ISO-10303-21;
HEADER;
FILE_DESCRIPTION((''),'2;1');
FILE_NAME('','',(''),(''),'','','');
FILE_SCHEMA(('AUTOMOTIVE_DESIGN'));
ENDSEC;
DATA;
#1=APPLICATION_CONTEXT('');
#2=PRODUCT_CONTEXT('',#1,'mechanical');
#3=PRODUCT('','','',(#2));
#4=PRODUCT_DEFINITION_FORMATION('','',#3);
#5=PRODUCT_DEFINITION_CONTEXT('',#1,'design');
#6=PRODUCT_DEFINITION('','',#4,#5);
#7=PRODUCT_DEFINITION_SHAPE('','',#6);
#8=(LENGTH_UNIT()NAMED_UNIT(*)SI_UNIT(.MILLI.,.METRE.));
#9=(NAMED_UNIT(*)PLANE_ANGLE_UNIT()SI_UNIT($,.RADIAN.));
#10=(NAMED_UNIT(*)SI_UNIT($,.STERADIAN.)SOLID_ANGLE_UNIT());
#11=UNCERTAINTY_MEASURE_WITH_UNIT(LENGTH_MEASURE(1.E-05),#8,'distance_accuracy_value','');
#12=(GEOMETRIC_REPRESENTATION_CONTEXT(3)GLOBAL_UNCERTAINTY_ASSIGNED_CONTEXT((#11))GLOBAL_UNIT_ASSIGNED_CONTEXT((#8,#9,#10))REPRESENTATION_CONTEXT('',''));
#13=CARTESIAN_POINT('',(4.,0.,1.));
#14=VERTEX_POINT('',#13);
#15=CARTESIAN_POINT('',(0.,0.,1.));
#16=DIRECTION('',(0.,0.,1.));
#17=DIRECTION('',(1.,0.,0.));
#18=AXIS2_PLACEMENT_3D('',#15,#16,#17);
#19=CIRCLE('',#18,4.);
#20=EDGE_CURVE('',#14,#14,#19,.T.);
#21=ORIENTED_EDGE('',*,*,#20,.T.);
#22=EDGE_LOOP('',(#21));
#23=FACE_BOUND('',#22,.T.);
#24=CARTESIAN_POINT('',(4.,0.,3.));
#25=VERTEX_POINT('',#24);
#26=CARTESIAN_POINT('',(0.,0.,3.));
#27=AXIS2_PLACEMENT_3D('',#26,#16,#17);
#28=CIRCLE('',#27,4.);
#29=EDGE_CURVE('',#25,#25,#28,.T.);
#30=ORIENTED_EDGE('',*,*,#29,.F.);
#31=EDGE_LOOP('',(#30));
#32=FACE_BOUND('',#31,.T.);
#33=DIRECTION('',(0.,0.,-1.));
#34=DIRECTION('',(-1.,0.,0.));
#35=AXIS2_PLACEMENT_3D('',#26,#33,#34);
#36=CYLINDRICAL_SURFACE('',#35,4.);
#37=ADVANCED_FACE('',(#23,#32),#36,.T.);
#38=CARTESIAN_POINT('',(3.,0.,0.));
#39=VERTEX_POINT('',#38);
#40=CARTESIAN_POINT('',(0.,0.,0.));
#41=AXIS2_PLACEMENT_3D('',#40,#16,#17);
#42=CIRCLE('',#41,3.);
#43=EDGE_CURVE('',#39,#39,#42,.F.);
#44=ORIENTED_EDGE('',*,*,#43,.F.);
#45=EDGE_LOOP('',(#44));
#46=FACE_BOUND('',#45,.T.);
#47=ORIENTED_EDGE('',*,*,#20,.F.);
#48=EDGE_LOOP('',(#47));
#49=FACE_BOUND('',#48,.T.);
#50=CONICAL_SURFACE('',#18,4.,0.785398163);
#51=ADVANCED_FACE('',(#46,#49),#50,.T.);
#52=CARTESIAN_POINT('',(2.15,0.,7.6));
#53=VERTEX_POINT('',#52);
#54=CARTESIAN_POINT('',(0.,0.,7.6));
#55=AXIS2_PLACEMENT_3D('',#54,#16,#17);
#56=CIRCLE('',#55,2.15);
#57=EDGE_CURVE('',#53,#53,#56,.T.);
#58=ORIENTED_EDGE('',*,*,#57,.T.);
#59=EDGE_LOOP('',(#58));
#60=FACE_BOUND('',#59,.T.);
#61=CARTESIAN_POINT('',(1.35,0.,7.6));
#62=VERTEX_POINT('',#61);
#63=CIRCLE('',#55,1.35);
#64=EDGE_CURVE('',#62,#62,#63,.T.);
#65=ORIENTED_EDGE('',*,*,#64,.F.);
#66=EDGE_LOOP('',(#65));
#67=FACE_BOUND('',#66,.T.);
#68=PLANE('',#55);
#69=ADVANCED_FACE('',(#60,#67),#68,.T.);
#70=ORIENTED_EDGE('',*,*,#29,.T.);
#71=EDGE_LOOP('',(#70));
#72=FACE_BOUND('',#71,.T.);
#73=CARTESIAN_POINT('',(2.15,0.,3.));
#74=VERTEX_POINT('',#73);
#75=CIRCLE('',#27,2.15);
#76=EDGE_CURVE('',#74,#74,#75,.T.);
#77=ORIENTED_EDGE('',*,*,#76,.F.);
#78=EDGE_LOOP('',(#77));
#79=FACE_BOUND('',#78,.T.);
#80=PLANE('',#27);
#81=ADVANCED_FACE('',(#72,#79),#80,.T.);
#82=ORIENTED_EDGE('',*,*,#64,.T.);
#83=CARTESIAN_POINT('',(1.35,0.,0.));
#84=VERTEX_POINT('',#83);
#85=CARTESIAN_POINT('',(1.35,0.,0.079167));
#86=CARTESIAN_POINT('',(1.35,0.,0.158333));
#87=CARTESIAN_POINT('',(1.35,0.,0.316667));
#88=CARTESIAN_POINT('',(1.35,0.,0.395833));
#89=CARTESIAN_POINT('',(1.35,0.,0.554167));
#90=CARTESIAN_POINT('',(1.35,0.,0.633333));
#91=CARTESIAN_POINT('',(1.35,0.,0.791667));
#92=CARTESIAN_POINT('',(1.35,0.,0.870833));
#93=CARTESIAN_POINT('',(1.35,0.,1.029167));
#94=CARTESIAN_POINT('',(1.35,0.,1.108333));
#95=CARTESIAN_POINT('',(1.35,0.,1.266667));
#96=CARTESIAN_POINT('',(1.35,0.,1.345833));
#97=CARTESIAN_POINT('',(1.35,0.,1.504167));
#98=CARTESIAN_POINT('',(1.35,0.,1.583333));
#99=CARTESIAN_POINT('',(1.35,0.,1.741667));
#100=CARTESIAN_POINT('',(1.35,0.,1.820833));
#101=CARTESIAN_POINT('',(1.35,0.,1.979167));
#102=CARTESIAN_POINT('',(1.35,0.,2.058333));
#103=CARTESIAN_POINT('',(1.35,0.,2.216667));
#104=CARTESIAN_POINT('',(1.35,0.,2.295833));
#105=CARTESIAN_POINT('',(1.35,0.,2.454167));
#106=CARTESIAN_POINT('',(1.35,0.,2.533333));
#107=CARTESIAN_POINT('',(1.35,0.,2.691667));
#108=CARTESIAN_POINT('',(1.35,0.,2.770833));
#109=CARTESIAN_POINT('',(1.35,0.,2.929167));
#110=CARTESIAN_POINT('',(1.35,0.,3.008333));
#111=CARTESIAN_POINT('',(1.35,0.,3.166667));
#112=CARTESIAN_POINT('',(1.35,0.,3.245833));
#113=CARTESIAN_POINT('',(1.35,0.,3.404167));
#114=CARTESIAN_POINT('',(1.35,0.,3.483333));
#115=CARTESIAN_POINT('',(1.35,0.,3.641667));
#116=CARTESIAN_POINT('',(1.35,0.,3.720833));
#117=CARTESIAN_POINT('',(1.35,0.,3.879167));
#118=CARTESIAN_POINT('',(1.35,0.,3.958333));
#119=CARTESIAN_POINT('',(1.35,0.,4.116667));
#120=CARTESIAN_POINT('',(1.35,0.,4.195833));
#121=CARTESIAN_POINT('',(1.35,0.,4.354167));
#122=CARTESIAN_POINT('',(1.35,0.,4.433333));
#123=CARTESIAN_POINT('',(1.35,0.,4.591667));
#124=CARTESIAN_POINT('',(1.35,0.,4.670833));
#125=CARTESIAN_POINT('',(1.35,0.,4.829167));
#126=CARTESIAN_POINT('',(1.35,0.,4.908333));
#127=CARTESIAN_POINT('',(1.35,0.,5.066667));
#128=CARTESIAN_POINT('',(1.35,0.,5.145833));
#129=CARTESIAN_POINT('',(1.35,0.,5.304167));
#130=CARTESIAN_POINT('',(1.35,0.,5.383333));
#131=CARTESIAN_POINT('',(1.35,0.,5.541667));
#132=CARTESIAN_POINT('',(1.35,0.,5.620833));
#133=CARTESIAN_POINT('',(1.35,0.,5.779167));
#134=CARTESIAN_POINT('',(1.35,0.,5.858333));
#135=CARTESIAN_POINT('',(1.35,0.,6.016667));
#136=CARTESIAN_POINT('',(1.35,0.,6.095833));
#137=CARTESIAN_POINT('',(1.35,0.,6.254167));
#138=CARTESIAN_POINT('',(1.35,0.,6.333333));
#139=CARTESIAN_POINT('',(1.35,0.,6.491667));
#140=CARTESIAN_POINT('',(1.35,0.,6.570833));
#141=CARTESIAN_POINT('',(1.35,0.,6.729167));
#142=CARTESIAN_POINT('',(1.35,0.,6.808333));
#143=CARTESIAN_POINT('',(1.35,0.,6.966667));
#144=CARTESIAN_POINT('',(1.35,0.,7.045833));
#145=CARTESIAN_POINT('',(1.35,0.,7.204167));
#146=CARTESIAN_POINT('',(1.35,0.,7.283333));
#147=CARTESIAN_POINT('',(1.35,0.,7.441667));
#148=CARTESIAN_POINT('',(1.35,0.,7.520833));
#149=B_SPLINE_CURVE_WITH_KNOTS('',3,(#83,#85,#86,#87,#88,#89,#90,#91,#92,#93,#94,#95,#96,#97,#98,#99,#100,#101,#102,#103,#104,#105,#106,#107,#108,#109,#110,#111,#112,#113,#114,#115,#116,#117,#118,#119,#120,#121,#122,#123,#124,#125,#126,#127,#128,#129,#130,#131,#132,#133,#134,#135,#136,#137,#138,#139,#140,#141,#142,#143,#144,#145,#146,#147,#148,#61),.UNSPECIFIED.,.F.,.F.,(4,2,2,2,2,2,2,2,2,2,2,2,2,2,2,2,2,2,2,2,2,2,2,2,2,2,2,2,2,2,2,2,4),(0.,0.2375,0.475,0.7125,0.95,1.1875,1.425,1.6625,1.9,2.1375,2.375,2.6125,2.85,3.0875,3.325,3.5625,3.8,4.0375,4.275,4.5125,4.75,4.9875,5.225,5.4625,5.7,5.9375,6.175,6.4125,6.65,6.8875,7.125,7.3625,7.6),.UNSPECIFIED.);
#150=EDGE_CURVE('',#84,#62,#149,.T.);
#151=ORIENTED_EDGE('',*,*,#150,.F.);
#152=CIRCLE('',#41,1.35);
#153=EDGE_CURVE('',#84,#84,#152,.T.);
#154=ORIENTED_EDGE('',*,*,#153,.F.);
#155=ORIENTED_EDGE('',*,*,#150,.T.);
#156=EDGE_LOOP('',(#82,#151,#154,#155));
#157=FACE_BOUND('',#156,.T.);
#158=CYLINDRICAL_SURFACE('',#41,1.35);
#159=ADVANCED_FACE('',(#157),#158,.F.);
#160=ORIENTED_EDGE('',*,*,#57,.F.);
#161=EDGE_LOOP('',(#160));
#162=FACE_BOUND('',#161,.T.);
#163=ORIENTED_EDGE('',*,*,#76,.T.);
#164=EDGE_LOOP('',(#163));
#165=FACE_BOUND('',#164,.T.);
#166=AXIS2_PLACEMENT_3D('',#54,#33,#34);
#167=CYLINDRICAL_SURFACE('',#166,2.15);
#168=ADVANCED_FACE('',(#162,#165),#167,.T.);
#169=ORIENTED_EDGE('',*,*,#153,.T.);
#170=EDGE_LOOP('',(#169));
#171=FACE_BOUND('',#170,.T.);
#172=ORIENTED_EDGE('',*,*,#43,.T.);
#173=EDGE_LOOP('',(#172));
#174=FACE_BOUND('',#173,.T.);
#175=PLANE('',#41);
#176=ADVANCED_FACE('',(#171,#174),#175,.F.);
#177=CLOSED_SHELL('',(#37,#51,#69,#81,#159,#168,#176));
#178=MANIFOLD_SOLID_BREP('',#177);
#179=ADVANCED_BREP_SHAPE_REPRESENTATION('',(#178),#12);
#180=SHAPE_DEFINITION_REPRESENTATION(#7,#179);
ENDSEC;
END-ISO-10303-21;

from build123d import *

# Parameters (mm, degrees)
SKETCH1_R           = 4
BOSS_EXTRUDE1_DEPTH = 3
SKETCH2_R           = 2.15
BOSS_EXTRUDE2_DEPTH = 4.6
SKETCH3_R           = 1.35
CUT_EXTRUDE1_DEPTH  = 10.474175426
CHAMFER1_SIZE       = 1


with BuildPart() as part:
    # Sketch1 → Boss-Extrude1 (new body)
    with BuildSketch(Plane.XY):
        Circle(SKETCH1_R)
    extrude(amount=BOSS_EXTRUDE1_DEPTH)

    # Sketch2 → Boss-Extrude2 (add)
    with BuildSketch(Plane.XY.offset(3)):
        Circle(SKETCH2_R)
    extrude(amount=BOSS_EXTRUDE2_DEPTH)

    # Sketch3 → Cut-Extrude1 (cut, through all)
    with BuildSketch(Plane.XY.offset(7.6)):
        Circle(SKETCH3_R)
    extrude(amount=-CUT_EXTRUDE1_DEPTH, mode=Mode.SUBTRACT)

    # Chamfer1
    chamfer1_edges = [part.edges().sort_by_distance(p)[0] for p in [
        (-4, 0, 0),
    ]]
    chamfer(chamfer1_edges, length=CHAMFER1_SIZE)


solid = part.part
